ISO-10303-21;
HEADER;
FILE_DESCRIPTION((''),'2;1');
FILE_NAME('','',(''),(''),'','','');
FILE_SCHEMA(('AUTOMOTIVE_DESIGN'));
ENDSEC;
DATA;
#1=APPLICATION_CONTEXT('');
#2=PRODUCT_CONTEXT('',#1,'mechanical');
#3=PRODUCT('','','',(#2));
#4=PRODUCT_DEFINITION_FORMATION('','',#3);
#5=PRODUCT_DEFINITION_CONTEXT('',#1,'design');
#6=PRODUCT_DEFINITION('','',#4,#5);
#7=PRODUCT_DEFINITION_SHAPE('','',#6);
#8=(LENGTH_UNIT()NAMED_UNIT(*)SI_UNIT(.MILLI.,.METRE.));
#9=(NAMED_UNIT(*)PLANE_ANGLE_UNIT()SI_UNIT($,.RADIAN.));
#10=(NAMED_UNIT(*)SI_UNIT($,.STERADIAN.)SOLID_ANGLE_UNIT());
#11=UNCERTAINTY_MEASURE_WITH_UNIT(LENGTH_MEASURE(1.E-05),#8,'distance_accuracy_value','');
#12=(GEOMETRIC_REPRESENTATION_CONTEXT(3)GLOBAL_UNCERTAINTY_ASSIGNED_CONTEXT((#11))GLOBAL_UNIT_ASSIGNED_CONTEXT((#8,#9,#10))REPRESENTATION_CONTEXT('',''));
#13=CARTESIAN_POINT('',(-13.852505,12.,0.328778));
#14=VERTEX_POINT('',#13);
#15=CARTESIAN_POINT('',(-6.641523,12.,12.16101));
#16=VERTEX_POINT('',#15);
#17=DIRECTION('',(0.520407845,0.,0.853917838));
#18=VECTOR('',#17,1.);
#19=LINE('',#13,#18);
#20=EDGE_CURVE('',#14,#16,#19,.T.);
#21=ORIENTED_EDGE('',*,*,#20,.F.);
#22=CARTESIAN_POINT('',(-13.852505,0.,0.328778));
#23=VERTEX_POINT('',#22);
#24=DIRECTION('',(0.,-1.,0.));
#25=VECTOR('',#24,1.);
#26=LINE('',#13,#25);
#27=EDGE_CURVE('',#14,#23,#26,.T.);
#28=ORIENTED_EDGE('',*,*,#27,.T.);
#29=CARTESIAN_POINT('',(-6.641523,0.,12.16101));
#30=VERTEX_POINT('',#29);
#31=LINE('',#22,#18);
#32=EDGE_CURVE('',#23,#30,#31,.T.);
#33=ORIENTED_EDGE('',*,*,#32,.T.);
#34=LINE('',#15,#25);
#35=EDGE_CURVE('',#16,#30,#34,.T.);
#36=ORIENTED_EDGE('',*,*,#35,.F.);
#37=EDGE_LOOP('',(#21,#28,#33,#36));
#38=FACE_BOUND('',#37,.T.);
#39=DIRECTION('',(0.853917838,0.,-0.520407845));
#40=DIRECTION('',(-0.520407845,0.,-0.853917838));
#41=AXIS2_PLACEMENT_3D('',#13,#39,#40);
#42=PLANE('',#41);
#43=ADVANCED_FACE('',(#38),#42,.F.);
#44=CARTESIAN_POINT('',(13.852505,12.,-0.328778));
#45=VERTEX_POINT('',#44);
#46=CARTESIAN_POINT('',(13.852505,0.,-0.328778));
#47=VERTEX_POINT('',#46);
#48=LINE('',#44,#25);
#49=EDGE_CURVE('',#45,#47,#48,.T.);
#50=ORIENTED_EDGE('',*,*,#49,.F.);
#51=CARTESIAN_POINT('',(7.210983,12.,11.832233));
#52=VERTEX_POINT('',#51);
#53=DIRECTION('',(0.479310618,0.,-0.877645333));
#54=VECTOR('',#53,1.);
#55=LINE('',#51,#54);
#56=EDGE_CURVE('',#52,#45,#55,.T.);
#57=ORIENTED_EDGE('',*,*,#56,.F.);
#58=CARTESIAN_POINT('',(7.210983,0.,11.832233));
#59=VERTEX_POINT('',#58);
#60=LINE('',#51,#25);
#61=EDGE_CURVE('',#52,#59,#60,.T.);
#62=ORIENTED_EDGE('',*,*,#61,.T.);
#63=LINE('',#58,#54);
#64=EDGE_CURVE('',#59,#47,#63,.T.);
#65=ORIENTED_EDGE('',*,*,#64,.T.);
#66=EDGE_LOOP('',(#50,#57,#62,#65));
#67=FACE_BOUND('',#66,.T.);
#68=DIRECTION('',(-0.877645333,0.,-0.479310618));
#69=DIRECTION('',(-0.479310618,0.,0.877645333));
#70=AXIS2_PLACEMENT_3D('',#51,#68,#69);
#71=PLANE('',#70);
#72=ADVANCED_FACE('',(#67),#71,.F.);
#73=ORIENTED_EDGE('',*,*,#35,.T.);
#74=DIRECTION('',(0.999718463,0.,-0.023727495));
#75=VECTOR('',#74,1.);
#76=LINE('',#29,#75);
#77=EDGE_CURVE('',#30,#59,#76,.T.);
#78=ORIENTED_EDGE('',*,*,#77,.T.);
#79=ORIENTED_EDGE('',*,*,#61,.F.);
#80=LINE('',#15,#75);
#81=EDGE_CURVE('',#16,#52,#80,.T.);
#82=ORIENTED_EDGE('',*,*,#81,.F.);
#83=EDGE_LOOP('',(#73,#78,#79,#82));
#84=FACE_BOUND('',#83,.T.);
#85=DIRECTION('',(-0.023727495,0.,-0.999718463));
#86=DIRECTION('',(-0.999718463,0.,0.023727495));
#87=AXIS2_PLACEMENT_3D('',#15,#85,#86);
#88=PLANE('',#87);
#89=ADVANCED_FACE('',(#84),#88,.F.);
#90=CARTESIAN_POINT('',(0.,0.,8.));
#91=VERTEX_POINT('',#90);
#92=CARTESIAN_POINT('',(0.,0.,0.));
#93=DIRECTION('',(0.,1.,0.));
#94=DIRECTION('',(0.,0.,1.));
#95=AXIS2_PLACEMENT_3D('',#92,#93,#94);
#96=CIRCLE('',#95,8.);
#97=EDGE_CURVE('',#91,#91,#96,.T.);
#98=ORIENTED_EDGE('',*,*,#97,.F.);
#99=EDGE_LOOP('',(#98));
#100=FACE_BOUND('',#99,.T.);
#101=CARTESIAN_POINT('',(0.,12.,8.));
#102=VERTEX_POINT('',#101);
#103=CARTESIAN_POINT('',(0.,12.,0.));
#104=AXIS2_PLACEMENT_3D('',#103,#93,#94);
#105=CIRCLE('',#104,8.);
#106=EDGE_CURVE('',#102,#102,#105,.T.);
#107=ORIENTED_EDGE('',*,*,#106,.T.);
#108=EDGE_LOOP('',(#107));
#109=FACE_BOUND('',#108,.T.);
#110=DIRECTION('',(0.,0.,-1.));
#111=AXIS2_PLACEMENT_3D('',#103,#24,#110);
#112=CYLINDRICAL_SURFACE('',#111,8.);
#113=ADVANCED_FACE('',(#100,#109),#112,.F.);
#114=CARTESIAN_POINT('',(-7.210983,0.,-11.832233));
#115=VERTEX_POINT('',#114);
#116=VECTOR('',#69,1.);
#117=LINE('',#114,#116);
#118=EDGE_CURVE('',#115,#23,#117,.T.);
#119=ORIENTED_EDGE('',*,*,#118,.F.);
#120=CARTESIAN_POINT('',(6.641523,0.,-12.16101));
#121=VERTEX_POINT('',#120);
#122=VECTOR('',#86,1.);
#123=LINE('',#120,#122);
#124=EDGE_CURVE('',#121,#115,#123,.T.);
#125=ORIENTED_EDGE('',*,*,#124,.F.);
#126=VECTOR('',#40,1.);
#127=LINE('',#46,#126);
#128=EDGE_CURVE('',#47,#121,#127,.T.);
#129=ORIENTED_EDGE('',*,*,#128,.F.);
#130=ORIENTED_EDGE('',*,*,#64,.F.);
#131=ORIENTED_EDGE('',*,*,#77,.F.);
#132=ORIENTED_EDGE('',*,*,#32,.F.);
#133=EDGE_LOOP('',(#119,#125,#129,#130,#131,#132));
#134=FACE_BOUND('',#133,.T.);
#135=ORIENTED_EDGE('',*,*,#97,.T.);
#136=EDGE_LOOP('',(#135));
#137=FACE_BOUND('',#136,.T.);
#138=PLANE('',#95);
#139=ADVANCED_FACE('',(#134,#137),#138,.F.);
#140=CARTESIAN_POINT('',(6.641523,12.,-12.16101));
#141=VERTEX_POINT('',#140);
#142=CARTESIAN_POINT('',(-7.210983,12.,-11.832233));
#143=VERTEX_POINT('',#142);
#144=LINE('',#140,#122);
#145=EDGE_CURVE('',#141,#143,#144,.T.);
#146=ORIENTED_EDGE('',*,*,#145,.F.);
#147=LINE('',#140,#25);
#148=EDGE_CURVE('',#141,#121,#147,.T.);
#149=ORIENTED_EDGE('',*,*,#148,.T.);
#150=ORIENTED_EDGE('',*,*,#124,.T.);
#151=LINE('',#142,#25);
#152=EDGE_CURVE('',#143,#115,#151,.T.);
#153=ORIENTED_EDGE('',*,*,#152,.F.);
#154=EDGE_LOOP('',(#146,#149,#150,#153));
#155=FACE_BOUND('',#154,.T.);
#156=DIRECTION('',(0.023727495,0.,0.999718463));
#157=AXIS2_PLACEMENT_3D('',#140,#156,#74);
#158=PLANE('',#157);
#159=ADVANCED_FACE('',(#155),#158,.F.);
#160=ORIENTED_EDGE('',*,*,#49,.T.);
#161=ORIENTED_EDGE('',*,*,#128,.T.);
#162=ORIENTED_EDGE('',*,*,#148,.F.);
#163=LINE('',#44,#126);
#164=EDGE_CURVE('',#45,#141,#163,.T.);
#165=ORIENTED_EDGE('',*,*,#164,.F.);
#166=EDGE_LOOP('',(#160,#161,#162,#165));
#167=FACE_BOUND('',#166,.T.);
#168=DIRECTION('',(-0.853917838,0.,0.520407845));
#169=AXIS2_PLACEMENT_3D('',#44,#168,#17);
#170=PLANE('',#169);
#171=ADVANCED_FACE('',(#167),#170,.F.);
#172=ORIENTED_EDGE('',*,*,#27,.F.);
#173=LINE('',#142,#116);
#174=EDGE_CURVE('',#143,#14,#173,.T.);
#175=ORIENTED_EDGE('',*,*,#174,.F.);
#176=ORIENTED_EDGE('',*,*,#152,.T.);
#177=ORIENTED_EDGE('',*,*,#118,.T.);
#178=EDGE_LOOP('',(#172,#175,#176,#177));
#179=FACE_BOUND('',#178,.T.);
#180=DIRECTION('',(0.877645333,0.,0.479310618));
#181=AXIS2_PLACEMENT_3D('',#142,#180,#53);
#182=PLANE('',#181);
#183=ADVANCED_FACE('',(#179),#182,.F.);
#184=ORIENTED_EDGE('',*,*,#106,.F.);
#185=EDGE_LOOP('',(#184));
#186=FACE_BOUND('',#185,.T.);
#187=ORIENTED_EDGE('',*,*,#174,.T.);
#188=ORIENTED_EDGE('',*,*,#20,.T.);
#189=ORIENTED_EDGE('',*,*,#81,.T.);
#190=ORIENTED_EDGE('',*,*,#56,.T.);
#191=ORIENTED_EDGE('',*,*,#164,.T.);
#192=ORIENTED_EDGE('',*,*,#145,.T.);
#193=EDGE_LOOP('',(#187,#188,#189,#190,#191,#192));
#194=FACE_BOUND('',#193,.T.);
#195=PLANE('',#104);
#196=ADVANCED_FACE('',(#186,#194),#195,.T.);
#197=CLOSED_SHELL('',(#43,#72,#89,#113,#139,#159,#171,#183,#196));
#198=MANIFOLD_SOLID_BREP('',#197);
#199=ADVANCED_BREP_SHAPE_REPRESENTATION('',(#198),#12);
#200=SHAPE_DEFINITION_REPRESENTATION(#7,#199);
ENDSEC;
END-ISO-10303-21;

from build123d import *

# Parameters (mm, degrees)
CROQUIS1_R              = 8
SALIENTE_EXTRUIR1_DEPTH = 12


with BuildPart() as part:
    # Croquis1 → Saliente-Extruir1 (new body)
    with BuildSketch(Plane(origin=(0, 0, 0), x_dir=(1, 0, 0), z_dir=(0, 1, 0))):
        Polygon((-13.852505374, -0.328777817), (-6.641522745, -12.161010469), (7.210982629, -11.832232652), (13.852505374, 0.328777817), (6.641522745, 12.161010469), (-7.210982629, 11.832232652), align=None)
        Circle(CROQUIS1_R, mode=Mode.SUBTRACT)
    extrude(amount=SALIENTE_EXTRUIR1_DEPTH)


solid = part.part
